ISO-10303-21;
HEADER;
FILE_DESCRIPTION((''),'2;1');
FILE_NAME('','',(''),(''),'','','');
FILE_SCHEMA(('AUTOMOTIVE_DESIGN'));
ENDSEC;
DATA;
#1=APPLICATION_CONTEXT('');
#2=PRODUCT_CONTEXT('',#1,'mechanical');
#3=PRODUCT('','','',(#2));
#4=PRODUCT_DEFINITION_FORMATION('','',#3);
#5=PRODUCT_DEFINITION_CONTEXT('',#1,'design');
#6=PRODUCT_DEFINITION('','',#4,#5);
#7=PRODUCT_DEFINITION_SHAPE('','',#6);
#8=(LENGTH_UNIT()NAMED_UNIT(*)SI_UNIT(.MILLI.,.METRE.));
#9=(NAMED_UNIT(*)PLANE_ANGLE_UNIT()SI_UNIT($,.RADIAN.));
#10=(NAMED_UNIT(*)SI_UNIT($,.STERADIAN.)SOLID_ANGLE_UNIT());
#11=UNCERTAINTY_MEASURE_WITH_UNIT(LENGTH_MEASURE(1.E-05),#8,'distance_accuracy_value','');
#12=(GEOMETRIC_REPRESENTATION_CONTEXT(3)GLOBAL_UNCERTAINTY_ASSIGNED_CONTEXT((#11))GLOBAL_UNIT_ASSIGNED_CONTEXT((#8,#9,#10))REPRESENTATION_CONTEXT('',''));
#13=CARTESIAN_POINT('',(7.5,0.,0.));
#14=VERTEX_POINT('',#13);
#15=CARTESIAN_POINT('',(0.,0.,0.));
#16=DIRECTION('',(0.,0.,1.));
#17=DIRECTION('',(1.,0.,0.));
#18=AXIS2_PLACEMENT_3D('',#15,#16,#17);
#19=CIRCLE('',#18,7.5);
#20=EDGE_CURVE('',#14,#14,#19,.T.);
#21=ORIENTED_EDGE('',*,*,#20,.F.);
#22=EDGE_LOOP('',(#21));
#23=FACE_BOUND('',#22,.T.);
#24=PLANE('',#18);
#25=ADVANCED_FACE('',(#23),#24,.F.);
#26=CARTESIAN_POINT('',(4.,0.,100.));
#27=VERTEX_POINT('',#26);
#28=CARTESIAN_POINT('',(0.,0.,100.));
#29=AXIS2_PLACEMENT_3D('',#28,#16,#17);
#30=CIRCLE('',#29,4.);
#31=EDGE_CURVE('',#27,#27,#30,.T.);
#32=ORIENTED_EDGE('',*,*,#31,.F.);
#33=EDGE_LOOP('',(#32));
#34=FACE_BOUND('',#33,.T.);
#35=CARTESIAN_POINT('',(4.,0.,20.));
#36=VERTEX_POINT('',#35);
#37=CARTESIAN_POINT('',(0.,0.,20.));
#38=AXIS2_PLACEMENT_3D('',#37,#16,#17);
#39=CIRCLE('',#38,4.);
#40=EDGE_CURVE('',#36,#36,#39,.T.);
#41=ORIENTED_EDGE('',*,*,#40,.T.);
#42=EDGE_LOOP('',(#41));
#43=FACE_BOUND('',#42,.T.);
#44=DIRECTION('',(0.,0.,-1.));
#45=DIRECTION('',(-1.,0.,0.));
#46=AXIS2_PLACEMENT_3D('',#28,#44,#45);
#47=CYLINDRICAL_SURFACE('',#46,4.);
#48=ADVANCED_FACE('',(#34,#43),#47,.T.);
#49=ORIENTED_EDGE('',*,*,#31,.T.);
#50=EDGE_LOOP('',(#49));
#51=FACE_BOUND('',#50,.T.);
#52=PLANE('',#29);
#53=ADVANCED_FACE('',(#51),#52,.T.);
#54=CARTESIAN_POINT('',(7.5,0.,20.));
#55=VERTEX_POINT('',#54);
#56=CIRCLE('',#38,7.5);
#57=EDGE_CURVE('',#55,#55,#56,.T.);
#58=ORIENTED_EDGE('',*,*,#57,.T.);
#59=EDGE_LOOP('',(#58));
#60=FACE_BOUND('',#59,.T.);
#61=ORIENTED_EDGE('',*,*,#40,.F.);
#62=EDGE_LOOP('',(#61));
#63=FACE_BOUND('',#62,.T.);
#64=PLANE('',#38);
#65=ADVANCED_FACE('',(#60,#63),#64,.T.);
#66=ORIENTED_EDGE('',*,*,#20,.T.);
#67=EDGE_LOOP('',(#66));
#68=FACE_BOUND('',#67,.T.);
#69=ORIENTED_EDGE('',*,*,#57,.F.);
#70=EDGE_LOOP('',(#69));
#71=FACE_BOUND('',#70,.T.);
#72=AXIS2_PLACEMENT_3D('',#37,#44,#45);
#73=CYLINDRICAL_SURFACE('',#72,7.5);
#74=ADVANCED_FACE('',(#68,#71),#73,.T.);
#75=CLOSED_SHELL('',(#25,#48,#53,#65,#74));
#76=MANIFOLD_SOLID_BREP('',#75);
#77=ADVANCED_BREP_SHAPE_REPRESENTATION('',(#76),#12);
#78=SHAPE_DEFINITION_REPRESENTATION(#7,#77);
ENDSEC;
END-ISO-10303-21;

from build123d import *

# Parameters (mm, degrees)
ESBO_O1_R                = 7.5
RESSALTO_EXTRUS_O1_DEPTH = 20
ESBO_O2_R                = 4
RESSALTO_EXTRUS_O2_DEPTH = 80


with BuildPart() as part:
    # Esboço1 → Ressalto-extrusão1 (new body)
    with BuildSketch(Plane.XY):
        Circle(ESBO_O1_R)
    extrude(amount=RESSALTO_EXTRUS_O1_DEPTH)

    # Esboço2 → Ressalto-extrusão2 (add)
    with BuildSketch(Plane.XY.offset(20)):
        Circle(ESBO_O2_R)
    extrude(amount=RESSALTO_EXTRUS_O2_DEPTH)


solid = part.part
